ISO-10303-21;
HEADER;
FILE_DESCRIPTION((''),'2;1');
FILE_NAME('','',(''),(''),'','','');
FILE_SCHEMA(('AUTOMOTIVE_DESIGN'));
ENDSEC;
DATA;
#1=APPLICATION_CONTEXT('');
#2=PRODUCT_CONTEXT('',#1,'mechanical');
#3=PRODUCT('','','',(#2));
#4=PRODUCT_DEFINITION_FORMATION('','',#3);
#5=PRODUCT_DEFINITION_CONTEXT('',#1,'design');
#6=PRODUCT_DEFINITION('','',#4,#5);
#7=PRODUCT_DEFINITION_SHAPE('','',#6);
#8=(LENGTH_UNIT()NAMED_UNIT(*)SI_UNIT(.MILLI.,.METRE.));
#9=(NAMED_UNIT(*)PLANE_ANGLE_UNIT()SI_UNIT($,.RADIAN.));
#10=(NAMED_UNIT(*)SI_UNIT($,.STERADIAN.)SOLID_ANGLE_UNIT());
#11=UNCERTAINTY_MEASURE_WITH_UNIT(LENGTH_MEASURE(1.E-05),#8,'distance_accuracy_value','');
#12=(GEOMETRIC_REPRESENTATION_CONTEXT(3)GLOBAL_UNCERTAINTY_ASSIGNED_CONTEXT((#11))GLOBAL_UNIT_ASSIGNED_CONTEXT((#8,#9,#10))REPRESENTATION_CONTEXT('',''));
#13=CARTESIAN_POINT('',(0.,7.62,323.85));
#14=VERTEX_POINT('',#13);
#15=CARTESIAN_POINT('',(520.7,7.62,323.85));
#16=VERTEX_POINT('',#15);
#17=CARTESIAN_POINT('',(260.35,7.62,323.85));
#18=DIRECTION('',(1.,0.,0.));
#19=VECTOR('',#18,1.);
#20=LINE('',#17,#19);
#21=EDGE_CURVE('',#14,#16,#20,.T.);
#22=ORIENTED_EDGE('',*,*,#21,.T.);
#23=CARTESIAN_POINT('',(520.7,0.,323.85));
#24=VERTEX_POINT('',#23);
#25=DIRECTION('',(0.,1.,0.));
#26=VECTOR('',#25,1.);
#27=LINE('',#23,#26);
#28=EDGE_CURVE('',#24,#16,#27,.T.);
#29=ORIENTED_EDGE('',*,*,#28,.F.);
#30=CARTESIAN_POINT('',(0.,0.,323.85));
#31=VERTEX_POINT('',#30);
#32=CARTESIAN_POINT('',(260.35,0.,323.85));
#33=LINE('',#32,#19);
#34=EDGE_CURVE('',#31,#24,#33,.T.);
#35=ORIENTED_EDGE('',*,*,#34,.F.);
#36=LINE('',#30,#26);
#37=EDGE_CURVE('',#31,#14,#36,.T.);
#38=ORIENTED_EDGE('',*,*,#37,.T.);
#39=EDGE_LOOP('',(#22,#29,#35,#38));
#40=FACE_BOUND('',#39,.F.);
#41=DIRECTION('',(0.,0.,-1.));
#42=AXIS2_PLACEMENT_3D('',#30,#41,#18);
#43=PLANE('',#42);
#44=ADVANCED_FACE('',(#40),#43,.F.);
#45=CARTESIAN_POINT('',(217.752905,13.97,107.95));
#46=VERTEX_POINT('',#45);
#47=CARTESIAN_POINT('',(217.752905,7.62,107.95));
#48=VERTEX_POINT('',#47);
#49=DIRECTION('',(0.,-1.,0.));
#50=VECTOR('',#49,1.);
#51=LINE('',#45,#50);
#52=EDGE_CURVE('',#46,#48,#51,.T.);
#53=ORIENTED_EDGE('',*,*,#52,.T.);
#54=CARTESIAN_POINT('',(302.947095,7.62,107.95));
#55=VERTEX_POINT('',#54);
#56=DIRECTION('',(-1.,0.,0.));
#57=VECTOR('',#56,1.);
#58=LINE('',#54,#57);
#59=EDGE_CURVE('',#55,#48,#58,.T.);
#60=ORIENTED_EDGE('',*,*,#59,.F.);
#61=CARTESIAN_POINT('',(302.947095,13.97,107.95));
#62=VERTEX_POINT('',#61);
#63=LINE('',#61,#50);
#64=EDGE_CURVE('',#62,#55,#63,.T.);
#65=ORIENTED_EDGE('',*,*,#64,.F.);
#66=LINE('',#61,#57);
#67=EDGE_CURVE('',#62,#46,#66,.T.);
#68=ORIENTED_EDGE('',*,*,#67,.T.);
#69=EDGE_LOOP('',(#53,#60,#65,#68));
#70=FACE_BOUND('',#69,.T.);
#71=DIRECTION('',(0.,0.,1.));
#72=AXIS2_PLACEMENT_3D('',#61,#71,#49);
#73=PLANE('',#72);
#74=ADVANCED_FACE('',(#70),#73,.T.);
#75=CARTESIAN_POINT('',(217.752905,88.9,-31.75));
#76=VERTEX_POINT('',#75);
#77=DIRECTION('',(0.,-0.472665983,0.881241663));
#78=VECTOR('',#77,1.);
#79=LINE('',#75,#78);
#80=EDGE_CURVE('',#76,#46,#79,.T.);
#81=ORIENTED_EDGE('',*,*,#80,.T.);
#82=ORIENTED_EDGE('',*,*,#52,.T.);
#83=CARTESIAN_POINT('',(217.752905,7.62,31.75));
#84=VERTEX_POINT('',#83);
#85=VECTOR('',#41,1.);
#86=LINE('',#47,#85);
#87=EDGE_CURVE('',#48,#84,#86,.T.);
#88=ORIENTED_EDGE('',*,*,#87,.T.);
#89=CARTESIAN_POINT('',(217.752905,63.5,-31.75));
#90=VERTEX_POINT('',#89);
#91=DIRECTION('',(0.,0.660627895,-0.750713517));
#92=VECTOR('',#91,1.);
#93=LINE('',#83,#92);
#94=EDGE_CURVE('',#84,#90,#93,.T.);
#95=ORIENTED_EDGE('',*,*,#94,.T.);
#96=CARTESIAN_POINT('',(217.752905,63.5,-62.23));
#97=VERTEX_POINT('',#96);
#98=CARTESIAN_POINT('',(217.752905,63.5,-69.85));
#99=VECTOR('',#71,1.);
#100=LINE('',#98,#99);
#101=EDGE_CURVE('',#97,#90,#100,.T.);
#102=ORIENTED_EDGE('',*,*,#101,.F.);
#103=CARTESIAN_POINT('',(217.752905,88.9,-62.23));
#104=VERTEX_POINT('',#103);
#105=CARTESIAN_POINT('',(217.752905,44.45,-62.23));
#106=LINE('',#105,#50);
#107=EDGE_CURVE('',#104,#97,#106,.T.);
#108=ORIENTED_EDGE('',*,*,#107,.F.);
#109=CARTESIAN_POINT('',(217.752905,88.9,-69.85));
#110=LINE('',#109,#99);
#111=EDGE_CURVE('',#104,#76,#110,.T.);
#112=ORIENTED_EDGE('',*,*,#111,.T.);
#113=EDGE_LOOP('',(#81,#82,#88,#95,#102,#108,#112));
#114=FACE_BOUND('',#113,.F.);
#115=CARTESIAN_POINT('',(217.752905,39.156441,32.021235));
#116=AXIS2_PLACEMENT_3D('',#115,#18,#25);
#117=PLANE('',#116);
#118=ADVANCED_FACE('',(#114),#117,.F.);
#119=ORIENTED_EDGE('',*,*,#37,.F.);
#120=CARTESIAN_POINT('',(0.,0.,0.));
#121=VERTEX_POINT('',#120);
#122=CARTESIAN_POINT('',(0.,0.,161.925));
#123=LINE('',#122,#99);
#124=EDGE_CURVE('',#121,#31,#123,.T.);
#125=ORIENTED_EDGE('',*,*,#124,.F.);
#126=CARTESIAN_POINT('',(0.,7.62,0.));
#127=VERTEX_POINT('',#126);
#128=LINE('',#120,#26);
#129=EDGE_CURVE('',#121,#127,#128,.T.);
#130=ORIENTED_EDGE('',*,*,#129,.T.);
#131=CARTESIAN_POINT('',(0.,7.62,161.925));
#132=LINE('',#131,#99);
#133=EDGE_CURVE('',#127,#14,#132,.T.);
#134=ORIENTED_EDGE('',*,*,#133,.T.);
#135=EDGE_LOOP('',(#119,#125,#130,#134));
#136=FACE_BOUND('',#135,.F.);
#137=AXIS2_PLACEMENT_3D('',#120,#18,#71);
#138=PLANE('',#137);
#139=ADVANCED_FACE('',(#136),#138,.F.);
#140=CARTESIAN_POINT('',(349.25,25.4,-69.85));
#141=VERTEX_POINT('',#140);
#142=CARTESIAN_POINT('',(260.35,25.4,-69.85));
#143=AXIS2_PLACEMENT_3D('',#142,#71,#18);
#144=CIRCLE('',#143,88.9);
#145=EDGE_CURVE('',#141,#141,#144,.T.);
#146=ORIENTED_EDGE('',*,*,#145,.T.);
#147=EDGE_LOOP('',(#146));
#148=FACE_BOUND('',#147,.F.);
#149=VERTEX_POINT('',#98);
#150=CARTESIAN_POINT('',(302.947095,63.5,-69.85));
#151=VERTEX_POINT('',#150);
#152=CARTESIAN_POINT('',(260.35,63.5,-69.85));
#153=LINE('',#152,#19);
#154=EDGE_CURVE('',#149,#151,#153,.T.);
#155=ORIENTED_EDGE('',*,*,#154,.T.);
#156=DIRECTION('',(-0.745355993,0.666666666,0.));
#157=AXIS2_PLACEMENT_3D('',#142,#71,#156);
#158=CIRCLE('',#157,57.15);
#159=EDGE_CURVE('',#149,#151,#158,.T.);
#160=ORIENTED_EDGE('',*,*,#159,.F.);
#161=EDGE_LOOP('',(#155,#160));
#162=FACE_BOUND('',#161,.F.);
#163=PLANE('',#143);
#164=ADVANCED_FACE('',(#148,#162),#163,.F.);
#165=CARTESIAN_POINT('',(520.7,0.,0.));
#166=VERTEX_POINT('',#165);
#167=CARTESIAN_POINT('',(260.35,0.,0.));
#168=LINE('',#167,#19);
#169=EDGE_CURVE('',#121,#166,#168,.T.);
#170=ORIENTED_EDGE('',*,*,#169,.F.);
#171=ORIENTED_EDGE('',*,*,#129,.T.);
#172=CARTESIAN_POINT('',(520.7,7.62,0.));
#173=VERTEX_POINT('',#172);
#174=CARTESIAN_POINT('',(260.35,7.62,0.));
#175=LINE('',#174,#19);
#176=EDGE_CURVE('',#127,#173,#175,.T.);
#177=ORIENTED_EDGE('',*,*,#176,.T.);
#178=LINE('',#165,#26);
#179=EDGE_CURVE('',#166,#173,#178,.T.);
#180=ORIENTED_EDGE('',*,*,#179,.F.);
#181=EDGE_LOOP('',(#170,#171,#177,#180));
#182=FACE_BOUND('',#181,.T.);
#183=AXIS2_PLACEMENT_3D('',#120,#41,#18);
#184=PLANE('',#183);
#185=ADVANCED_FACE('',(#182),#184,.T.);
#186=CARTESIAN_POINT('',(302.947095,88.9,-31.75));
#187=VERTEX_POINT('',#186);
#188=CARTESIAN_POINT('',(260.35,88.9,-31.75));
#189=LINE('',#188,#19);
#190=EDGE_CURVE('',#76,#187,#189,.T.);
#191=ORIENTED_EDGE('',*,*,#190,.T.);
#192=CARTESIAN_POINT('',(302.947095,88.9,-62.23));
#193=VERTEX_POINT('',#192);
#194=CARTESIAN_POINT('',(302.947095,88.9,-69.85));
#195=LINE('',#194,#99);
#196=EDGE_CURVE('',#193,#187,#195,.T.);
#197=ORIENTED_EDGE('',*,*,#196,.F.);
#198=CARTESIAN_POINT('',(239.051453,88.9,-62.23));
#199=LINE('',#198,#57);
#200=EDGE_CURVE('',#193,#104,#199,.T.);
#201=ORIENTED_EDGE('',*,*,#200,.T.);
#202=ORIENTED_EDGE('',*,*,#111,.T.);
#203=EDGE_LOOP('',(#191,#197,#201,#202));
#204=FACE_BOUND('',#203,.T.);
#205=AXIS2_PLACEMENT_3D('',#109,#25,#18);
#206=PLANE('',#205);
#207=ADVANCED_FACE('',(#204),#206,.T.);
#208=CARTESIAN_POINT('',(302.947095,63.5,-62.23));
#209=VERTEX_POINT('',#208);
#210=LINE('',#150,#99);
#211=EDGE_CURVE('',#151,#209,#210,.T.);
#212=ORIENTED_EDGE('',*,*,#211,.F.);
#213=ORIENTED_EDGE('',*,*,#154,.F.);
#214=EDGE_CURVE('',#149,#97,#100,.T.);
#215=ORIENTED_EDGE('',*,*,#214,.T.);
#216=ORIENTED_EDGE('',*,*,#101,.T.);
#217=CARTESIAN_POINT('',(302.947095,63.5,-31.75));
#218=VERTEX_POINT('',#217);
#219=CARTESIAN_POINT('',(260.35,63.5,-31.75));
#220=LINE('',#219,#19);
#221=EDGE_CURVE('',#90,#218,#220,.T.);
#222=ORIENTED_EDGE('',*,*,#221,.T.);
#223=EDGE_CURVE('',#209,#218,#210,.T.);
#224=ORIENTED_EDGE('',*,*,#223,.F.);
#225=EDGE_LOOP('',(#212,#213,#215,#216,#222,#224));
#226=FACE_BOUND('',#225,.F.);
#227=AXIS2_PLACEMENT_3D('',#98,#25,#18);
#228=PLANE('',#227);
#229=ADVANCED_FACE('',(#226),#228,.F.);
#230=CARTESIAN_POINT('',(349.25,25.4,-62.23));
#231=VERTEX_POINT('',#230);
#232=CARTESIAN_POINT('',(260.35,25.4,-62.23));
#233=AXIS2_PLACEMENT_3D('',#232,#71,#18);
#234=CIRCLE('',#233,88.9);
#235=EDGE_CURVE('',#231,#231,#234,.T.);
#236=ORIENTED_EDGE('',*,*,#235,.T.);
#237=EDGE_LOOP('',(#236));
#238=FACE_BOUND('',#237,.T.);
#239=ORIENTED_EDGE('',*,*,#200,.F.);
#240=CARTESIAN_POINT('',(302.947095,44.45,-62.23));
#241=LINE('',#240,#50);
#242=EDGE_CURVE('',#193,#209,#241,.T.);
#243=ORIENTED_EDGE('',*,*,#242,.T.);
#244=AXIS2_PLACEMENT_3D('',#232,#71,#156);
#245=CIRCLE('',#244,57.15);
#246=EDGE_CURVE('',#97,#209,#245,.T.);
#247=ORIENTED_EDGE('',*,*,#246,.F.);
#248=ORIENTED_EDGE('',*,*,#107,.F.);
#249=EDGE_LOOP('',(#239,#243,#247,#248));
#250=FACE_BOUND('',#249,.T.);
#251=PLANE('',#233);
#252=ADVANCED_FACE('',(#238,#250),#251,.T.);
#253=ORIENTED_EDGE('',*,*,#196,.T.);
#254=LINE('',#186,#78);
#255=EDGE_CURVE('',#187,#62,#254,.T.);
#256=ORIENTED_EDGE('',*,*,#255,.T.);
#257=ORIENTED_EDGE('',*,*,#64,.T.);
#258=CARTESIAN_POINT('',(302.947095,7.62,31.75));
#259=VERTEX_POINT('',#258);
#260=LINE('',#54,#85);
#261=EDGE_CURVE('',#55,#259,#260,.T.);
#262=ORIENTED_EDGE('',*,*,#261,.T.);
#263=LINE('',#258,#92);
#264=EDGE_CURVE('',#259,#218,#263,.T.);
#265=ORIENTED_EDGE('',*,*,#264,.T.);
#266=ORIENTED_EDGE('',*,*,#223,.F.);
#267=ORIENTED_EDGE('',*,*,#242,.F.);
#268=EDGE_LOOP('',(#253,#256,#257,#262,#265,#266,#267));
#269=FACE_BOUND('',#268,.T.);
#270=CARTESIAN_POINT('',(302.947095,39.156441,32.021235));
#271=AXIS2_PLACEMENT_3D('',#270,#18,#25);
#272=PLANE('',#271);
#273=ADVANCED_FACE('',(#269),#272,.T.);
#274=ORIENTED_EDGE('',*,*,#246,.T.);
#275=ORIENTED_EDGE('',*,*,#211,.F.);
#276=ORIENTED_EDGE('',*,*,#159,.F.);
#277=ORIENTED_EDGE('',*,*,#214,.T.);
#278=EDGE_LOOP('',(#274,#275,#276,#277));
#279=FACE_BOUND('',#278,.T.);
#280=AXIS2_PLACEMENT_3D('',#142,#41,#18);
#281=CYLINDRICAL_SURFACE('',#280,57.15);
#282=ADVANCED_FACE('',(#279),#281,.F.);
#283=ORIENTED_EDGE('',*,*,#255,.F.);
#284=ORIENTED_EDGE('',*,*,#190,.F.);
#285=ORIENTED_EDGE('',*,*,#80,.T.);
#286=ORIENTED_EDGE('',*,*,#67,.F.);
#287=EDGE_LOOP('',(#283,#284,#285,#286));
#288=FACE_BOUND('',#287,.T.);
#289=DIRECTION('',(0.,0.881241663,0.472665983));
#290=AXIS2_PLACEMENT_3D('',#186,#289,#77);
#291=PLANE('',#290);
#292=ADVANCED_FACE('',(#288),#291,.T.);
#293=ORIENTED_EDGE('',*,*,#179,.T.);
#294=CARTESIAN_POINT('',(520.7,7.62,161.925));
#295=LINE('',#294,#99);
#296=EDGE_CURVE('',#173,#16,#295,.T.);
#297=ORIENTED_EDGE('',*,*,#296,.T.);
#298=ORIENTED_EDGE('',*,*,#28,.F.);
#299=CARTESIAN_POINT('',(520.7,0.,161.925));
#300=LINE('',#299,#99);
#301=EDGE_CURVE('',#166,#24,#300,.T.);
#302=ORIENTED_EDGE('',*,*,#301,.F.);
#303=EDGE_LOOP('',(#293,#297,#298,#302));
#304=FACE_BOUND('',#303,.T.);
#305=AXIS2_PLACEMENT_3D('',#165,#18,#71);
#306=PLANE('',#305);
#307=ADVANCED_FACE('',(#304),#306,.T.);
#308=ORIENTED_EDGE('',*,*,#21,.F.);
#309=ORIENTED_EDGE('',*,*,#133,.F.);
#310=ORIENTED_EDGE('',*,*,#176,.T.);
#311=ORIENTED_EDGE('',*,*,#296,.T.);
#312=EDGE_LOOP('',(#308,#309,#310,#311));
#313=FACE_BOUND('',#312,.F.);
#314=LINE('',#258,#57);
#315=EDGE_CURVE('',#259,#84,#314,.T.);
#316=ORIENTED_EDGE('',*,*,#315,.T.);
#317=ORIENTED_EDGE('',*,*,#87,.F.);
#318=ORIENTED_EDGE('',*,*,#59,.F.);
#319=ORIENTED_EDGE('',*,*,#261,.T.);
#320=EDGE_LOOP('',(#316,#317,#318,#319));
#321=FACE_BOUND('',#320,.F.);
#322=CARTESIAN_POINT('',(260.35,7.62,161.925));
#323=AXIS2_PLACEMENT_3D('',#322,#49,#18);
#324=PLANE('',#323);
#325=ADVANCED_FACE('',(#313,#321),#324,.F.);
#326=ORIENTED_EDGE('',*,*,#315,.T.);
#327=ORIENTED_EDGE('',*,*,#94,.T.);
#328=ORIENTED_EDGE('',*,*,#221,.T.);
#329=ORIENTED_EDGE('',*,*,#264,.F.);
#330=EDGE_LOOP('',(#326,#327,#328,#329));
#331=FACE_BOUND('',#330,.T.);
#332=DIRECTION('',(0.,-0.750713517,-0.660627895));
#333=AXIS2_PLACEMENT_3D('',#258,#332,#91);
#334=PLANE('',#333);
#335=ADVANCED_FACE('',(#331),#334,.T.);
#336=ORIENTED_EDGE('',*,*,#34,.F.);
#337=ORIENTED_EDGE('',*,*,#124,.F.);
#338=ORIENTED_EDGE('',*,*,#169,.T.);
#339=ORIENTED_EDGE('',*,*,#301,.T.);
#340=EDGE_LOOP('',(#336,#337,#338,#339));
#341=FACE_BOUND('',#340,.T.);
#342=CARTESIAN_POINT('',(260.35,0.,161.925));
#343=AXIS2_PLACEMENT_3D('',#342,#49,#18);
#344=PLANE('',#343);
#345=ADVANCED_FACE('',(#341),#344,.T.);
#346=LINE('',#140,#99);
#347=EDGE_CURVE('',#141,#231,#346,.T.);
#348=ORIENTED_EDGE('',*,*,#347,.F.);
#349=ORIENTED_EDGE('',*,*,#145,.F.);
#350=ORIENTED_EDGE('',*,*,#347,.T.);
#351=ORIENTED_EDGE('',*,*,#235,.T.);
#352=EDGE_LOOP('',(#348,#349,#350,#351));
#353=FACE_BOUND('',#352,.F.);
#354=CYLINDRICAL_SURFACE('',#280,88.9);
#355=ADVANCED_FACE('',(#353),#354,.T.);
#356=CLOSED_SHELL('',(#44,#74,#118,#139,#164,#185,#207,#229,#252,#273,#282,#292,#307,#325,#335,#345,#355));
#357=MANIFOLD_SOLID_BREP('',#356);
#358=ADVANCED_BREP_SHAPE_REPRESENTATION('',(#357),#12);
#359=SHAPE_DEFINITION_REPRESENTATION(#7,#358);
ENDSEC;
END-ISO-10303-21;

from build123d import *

# Parameters (mm, degrees)
F0_W     = 520.7
F0_H     = 323.85
F1_DEPTH = 7.62
F3_R     = 88.9
F3_R_2   = 57.15
F4_DEPTH = 7.62
F5_W     = 85.19419
F5_H     = 25.4
F6_DEPTH = 38.1
F8_DEPTH = 85.19419


with BuildPart() as f1:
    # F0 (on Front) → F1 (new body)
    with BuildSketch(Plane.XZ):
        with Locations((260.35, 161.925)):
            Rectangle(F0_W, F0_H)
    extrude(amount=-F1_DEPTH)



with BuildPart() as f4:
    # F3 (on offset) → F4 (new body)
    with BuildSketch(Plane.XY.offset(-69.85)):
        with Locations((260.35, 25.4)):
            Circle(F3_R)
        with Locations((260.35, 25.4)):
            Circle(F3_R_2, mode=Mode.SUBTRACT)
    extrude(amount=F4_DEPTH)

    # F5 (on offset) → F6 (join)
    with BuildSketch(Plane.XY.offset(-69.85)):
        with Locations((260.35, 76.2)):
            Rectangle(F5_W, F5_H)
    extrude(amount=F6_DEPTH)


with BuildPart() as f1_1:
    add(f1.part)

    add(f4.part)  # F8 merges F4
    # F7 (on face) → F8 (join, through all)
    with BuildSketch(Plane.YZ.offset(302.947095)):
        Polygon((7.62, 31.75), (63.5, -31.75), (88.9, -31.75), (13.97, 107.95), (7.62, 107.95), align=None)
    extrude(amount=-F8_DEPTH)


solid = f1_1.part
